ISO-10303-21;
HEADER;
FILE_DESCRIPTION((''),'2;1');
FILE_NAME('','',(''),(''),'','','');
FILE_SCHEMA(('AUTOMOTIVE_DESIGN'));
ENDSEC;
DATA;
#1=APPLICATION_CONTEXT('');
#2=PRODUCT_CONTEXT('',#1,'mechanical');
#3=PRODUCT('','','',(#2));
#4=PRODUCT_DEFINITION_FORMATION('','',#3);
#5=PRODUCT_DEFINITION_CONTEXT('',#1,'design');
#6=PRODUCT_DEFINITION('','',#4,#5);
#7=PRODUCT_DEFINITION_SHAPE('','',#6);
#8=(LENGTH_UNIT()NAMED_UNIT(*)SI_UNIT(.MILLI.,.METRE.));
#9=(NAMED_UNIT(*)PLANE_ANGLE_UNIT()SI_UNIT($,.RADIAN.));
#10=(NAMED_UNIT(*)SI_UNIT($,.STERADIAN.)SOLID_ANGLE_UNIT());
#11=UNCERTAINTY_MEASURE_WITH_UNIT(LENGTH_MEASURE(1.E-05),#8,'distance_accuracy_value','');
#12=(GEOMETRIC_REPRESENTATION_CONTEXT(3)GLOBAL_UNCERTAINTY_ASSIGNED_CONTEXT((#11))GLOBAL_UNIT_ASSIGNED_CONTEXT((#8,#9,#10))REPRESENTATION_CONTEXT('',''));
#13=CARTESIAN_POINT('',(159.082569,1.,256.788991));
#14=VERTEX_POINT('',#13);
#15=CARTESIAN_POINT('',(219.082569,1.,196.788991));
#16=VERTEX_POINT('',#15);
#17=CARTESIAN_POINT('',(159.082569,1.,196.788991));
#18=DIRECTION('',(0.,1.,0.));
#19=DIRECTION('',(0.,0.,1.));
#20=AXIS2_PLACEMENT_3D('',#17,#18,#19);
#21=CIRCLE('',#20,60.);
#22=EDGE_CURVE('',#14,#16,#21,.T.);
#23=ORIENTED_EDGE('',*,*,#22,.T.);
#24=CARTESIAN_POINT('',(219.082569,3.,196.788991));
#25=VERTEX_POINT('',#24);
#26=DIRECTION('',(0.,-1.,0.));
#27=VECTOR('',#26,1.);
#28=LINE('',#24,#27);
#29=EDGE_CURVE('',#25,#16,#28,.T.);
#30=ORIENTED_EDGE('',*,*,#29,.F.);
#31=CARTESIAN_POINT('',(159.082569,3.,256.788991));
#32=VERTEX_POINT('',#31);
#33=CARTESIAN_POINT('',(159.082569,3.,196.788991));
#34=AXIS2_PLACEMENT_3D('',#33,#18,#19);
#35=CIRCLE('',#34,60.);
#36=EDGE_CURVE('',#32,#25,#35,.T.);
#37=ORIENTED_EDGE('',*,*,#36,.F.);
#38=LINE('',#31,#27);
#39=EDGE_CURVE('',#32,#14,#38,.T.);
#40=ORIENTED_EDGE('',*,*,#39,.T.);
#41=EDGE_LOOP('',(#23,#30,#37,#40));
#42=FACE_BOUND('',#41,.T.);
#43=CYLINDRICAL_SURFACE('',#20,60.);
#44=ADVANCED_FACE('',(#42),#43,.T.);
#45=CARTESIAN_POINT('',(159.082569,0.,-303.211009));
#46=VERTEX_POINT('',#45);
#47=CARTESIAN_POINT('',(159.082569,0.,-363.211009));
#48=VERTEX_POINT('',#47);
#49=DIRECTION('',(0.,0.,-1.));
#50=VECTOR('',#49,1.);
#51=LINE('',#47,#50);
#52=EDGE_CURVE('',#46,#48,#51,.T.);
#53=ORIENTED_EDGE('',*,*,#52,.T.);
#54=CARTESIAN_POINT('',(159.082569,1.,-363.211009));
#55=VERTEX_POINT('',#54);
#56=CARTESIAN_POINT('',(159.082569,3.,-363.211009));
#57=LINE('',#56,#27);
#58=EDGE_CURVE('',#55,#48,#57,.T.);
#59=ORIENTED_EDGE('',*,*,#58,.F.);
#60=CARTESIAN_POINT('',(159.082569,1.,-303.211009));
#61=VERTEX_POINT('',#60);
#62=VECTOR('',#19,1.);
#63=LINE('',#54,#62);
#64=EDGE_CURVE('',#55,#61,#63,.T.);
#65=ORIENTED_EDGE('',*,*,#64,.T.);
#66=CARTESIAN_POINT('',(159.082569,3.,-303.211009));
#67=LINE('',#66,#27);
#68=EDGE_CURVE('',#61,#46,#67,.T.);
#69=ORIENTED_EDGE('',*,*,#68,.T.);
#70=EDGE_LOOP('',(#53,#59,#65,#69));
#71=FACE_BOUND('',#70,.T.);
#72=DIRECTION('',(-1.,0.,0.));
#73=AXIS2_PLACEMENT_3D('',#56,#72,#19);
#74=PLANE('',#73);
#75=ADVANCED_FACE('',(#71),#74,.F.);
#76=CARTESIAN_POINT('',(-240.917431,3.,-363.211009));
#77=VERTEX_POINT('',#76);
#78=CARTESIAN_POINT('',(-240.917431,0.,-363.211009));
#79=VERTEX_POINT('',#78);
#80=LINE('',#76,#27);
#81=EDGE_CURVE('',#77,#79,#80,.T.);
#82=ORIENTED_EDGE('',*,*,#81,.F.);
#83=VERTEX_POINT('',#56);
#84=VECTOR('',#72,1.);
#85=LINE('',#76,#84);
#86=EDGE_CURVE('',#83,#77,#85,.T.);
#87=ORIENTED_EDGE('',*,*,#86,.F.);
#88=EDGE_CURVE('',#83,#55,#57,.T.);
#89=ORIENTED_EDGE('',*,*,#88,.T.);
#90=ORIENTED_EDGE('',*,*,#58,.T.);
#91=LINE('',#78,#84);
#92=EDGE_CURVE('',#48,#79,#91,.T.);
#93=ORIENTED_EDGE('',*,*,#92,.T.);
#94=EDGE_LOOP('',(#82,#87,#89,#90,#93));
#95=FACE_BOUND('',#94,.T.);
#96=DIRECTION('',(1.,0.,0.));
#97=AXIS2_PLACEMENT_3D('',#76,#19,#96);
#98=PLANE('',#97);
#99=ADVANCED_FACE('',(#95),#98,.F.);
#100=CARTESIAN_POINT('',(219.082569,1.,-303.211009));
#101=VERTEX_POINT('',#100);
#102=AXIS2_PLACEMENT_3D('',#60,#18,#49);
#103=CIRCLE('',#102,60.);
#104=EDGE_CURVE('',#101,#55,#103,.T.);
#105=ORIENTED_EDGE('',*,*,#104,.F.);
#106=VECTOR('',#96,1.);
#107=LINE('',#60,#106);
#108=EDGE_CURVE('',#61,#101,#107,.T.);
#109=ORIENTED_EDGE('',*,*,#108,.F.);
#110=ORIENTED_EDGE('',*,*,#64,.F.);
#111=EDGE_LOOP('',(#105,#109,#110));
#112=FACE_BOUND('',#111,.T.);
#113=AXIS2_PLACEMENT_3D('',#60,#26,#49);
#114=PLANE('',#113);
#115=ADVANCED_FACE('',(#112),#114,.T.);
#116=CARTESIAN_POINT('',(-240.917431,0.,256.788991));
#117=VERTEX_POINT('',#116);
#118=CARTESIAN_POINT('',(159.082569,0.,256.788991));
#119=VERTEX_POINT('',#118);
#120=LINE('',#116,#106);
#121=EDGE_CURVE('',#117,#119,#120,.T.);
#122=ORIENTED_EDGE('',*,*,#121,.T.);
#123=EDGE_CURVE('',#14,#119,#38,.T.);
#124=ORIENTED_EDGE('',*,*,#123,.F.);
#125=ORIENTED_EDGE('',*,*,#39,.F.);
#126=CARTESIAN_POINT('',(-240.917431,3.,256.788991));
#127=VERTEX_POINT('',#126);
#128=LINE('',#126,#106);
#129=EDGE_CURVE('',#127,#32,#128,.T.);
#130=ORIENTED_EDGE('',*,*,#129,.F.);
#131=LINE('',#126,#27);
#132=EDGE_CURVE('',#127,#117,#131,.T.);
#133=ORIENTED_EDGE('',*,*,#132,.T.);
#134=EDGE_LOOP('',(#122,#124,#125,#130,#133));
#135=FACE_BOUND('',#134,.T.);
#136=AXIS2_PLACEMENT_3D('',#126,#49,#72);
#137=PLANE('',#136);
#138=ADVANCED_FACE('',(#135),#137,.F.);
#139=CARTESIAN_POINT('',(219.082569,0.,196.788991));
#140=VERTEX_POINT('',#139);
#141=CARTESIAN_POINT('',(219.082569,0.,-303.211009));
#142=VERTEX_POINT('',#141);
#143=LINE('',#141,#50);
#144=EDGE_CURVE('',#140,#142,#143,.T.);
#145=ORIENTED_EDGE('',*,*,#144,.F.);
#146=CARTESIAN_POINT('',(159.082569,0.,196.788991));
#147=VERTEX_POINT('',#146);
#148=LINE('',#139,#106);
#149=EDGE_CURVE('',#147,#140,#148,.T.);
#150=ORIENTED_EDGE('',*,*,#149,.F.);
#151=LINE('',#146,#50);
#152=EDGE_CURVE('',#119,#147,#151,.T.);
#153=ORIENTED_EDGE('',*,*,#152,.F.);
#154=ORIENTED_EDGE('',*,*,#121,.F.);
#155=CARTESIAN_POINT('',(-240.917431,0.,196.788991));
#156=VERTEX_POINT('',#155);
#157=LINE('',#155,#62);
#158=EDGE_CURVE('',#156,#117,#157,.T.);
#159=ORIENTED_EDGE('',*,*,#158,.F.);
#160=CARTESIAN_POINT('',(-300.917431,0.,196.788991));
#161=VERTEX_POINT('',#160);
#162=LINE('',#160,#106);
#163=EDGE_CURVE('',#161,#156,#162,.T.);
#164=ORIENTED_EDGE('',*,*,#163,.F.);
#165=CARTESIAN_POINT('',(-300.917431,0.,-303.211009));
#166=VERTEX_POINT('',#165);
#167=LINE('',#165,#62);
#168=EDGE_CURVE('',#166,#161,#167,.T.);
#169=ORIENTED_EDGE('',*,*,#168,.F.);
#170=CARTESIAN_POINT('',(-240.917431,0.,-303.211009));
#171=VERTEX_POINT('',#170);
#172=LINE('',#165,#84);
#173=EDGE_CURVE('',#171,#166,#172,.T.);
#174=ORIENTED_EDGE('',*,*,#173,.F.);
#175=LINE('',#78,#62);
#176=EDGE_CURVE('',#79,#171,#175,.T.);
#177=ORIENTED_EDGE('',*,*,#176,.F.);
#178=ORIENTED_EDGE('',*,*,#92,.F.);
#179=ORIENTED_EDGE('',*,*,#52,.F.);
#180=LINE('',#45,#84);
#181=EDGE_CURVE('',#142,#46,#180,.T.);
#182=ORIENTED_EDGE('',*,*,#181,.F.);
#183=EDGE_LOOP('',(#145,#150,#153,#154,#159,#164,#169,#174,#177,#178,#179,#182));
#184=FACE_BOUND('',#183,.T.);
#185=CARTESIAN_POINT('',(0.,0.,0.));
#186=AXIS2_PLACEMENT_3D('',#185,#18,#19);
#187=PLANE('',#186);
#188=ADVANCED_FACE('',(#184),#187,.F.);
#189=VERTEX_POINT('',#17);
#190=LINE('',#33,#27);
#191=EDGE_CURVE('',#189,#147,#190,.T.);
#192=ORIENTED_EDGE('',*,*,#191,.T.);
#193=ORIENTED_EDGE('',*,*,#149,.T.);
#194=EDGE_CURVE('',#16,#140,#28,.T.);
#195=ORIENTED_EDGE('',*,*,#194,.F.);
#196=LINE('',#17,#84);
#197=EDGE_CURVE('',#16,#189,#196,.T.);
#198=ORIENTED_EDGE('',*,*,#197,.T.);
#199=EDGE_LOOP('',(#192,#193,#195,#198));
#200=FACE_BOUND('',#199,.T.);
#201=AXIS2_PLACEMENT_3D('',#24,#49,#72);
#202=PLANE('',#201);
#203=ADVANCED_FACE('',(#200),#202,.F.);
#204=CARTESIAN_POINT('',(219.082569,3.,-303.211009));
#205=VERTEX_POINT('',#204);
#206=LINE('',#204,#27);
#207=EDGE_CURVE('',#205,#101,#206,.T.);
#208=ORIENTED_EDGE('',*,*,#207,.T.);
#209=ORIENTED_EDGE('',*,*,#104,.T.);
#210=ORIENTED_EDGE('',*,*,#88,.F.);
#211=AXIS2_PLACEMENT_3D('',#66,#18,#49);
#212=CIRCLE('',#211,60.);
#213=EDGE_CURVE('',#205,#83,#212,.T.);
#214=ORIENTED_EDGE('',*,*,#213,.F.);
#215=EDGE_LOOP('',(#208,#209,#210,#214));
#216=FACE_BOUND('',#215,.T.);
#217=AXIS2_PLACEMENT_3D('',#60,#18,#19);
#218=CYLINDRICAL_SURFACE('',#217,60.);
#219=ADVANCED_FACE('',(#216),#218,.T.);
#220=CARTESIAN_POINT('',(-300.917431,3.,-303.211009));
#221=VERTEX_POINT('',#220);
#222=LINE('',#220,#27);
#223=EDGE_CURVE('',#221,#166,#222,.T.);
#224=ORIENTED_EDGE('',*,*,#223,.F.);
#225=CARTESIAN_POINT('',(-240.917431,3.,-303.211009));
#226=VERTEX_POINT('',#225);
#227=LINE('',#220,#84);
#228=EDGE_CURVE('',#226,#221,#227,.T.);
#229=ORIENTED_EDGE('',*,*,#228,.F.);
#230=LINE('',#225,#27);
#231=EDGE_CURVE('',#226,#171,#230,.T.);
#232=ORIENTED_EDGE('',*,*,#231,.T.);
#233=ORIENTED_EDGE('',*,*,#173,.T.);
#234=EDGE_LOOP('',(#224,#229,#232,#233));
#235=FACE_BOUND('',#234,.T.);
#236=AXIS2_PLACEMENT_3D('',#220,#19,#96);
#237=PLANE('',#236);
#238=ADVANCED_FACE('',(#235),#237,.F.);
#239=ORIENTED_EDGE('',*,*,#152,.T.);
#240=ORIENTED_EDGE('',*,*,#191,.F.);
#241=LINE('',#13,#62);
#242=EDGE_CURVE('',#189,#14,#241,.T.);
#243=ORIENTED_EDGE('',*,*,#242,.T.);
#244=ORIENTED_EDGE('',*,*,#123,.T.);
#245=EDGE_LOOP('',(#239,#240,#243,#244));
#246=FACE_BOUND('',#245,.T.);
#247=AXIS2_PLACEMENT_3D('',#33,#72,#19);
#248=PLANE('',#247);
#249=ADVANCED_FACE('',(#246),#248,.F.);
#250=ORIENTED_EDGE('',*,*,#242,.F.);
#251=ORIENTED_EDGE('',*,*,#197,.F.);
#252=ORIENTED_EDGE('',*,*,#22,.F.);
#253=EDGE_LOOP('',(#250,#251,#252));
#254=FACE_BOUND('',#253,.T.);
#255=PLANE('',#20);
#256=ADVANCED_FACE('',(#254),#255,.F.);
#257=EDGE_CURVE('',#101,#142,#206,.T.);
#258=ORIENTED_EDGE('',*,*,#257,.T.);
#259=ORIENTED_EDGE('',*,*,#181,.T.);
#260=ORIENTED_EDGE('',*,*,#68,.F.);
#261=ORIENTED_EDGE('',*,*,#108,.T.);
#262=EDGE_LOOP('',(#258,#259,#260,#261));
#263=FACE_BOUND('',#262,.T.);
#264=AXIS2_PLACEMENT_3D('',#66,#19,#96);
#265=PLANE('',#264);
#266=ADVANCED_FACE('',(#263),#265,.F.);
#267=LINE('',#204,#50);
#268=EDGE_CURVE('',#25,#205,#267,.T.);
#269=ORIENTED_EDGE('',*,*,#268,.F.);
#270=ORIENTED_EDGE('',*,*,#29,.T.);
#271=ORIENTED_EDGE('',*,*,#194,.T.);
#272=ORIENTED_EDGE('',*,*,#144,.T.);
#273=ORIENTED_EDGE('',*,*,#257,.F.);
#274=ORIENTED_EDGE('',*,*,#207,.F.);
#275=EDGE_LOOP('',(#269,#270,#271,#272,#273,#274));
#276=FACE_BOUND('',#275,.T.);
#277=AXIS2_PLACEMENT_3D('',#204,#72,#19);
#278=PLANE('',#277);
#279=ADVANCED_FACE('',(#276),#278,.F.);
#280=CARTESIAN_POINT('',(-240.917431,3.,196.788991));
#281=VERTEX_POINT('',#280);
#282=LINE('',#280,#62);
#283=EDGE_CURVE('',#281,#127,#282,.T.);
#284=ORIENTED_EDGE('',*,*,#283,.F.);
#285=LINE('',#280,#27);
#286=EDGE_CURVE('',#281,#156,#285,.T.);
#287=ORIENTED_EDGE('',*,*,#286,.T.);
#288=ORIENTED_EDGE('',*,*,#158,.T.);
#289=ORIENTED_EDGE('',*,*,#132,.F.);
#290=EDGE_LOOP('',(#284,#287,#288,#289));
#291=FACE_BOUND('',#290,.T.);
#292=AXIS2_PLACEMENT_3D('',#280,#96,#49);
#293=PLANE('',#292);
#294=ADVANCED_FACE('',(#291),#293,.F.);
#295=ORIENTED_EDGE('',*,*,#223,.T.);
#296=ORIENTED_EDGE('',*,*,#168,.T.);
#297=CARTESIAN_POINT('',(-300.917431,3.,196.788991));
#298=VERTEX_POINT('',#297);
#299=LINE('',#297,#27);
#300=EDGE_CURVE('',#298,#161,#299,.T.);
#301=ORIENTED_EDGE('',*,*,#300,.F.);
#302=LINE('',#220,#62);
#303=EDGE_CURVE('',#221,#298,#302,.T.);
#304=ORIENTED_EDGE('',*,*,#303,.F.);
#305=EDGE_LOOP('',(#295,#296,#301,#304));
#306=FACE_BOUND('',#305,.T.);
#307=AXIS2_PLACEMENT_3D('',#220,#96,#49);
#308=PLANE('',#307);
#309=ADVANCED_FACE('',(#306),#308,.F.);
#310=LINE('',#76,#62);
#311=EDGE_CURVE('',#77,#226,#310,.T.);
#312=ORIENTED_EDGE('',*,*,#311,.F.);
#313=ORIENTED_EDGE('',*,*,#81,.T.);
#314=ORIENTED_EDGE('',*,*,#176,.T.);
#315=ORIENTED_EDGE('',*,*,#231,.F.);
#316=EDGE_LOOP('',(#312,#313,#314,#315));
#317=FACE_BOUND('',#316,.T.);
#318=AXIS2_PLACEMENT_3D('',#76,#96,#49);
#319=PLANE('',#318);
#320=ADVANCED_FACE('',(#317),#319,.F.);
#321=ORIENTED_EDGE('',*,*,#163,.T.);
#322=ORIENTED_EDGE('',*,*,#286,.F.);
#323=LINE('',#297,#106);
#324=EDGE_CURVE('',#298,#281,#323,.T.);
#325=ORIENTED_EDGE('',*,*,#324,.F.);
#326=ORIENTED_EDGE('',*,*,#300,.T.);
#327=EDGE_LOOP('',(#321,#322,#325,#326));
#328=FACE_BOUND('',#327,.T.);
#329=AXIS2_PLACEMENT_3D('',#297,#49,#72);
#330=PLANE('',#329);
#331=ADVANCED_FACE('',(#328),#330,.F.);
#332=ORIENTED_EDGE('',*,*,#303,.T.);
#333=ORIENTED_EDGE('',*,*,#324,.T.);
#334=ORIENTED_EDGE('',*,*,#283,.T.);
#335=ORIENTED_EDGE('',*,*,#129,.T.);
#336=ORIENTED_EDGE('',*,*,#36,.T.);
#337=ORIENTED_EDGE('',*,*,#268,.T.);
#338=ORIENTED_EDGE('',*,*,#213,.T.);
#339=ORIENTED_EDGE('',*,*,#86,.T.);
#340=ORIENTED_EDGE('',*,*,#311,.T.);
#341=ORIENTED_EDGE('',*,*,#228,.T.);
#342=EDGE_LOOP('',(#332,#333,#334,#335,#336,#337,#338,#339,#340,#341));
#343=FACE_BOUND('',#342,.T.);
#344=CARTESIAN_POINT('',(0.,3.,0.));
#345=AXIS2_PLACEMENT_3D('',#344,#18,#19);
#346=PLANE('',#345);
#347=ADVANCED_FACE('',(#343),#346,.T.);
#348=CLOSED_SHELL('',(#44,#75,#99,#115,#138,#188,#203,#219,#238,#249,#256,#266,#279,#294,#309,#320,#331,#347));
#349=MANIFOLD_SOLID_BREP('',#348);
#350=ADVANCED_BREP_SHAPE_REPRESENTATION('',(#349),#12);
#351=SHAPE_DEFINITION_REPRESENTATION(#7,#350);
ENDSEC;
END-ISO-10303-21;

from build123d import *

# Parameters (mm, degrees)
EXTRUDE_1_DEPTH = 3
EXTRUDE_2_DEPTH = 2


with BuildPart() as part:
    # 草图1 → 凸台-拉伸1 (new body)
    with BuildSketch(Plane(origin=(0, 0, 0), x_dir=(1, 0, 0), z_dir=(0, 1, 0))):
        Polygon((-240.917431193, -196.788990826), (-240.917431193, -256.788990826), (159.082568807, -256.788990826), (159.082568807, -196.788990826), (219.082568807, -196.788990826), (219.082568807, 303.211009174), (159.082568807, 303.211009174), (159.082568807, 363.211009174), (-240.917431193, 363.211009174), (-240.917431193, 303.211009174), (-300.917431193, 303.211009174), (-300.917431193, -196.788990826), align=None)
    extrude(amount=EXTRUDE_1_DEPTH)

    # 草图2 → 凸台-拉伸2 (add)
    with BuildSketch(Plane(origin=(0, 3, 0), x_dir=(1, 0, 0), z_dir=(0, 1, 0))):
        with BuildLine():
            Line((159.082568807, 303.211009174), (219.082568807, 303.211009174))
            ThreePointArc((219.082568807, 303.211009174), (201.508975679, 345.637416046), (159.082568807, 363.211009174))
            Line((159.082568807, 363.211009174), (159.082568807, 303.211009174))
        make_face()
        with BuildLine():
            Line((159.082568807, -256.788990826), (159.082568807, -196.788990826))
            Line((159.082568807, -196.788990826), (219.082568807, -196.788990826))
            ThreePointArc((219.082568807, -196.788990826), (201.508975679, -239.215397697), (159.082568807, -256.788990826))
        make_face()
    extrude(amount=-EXTRUDE_2_DEPTH)


solid = part.part
